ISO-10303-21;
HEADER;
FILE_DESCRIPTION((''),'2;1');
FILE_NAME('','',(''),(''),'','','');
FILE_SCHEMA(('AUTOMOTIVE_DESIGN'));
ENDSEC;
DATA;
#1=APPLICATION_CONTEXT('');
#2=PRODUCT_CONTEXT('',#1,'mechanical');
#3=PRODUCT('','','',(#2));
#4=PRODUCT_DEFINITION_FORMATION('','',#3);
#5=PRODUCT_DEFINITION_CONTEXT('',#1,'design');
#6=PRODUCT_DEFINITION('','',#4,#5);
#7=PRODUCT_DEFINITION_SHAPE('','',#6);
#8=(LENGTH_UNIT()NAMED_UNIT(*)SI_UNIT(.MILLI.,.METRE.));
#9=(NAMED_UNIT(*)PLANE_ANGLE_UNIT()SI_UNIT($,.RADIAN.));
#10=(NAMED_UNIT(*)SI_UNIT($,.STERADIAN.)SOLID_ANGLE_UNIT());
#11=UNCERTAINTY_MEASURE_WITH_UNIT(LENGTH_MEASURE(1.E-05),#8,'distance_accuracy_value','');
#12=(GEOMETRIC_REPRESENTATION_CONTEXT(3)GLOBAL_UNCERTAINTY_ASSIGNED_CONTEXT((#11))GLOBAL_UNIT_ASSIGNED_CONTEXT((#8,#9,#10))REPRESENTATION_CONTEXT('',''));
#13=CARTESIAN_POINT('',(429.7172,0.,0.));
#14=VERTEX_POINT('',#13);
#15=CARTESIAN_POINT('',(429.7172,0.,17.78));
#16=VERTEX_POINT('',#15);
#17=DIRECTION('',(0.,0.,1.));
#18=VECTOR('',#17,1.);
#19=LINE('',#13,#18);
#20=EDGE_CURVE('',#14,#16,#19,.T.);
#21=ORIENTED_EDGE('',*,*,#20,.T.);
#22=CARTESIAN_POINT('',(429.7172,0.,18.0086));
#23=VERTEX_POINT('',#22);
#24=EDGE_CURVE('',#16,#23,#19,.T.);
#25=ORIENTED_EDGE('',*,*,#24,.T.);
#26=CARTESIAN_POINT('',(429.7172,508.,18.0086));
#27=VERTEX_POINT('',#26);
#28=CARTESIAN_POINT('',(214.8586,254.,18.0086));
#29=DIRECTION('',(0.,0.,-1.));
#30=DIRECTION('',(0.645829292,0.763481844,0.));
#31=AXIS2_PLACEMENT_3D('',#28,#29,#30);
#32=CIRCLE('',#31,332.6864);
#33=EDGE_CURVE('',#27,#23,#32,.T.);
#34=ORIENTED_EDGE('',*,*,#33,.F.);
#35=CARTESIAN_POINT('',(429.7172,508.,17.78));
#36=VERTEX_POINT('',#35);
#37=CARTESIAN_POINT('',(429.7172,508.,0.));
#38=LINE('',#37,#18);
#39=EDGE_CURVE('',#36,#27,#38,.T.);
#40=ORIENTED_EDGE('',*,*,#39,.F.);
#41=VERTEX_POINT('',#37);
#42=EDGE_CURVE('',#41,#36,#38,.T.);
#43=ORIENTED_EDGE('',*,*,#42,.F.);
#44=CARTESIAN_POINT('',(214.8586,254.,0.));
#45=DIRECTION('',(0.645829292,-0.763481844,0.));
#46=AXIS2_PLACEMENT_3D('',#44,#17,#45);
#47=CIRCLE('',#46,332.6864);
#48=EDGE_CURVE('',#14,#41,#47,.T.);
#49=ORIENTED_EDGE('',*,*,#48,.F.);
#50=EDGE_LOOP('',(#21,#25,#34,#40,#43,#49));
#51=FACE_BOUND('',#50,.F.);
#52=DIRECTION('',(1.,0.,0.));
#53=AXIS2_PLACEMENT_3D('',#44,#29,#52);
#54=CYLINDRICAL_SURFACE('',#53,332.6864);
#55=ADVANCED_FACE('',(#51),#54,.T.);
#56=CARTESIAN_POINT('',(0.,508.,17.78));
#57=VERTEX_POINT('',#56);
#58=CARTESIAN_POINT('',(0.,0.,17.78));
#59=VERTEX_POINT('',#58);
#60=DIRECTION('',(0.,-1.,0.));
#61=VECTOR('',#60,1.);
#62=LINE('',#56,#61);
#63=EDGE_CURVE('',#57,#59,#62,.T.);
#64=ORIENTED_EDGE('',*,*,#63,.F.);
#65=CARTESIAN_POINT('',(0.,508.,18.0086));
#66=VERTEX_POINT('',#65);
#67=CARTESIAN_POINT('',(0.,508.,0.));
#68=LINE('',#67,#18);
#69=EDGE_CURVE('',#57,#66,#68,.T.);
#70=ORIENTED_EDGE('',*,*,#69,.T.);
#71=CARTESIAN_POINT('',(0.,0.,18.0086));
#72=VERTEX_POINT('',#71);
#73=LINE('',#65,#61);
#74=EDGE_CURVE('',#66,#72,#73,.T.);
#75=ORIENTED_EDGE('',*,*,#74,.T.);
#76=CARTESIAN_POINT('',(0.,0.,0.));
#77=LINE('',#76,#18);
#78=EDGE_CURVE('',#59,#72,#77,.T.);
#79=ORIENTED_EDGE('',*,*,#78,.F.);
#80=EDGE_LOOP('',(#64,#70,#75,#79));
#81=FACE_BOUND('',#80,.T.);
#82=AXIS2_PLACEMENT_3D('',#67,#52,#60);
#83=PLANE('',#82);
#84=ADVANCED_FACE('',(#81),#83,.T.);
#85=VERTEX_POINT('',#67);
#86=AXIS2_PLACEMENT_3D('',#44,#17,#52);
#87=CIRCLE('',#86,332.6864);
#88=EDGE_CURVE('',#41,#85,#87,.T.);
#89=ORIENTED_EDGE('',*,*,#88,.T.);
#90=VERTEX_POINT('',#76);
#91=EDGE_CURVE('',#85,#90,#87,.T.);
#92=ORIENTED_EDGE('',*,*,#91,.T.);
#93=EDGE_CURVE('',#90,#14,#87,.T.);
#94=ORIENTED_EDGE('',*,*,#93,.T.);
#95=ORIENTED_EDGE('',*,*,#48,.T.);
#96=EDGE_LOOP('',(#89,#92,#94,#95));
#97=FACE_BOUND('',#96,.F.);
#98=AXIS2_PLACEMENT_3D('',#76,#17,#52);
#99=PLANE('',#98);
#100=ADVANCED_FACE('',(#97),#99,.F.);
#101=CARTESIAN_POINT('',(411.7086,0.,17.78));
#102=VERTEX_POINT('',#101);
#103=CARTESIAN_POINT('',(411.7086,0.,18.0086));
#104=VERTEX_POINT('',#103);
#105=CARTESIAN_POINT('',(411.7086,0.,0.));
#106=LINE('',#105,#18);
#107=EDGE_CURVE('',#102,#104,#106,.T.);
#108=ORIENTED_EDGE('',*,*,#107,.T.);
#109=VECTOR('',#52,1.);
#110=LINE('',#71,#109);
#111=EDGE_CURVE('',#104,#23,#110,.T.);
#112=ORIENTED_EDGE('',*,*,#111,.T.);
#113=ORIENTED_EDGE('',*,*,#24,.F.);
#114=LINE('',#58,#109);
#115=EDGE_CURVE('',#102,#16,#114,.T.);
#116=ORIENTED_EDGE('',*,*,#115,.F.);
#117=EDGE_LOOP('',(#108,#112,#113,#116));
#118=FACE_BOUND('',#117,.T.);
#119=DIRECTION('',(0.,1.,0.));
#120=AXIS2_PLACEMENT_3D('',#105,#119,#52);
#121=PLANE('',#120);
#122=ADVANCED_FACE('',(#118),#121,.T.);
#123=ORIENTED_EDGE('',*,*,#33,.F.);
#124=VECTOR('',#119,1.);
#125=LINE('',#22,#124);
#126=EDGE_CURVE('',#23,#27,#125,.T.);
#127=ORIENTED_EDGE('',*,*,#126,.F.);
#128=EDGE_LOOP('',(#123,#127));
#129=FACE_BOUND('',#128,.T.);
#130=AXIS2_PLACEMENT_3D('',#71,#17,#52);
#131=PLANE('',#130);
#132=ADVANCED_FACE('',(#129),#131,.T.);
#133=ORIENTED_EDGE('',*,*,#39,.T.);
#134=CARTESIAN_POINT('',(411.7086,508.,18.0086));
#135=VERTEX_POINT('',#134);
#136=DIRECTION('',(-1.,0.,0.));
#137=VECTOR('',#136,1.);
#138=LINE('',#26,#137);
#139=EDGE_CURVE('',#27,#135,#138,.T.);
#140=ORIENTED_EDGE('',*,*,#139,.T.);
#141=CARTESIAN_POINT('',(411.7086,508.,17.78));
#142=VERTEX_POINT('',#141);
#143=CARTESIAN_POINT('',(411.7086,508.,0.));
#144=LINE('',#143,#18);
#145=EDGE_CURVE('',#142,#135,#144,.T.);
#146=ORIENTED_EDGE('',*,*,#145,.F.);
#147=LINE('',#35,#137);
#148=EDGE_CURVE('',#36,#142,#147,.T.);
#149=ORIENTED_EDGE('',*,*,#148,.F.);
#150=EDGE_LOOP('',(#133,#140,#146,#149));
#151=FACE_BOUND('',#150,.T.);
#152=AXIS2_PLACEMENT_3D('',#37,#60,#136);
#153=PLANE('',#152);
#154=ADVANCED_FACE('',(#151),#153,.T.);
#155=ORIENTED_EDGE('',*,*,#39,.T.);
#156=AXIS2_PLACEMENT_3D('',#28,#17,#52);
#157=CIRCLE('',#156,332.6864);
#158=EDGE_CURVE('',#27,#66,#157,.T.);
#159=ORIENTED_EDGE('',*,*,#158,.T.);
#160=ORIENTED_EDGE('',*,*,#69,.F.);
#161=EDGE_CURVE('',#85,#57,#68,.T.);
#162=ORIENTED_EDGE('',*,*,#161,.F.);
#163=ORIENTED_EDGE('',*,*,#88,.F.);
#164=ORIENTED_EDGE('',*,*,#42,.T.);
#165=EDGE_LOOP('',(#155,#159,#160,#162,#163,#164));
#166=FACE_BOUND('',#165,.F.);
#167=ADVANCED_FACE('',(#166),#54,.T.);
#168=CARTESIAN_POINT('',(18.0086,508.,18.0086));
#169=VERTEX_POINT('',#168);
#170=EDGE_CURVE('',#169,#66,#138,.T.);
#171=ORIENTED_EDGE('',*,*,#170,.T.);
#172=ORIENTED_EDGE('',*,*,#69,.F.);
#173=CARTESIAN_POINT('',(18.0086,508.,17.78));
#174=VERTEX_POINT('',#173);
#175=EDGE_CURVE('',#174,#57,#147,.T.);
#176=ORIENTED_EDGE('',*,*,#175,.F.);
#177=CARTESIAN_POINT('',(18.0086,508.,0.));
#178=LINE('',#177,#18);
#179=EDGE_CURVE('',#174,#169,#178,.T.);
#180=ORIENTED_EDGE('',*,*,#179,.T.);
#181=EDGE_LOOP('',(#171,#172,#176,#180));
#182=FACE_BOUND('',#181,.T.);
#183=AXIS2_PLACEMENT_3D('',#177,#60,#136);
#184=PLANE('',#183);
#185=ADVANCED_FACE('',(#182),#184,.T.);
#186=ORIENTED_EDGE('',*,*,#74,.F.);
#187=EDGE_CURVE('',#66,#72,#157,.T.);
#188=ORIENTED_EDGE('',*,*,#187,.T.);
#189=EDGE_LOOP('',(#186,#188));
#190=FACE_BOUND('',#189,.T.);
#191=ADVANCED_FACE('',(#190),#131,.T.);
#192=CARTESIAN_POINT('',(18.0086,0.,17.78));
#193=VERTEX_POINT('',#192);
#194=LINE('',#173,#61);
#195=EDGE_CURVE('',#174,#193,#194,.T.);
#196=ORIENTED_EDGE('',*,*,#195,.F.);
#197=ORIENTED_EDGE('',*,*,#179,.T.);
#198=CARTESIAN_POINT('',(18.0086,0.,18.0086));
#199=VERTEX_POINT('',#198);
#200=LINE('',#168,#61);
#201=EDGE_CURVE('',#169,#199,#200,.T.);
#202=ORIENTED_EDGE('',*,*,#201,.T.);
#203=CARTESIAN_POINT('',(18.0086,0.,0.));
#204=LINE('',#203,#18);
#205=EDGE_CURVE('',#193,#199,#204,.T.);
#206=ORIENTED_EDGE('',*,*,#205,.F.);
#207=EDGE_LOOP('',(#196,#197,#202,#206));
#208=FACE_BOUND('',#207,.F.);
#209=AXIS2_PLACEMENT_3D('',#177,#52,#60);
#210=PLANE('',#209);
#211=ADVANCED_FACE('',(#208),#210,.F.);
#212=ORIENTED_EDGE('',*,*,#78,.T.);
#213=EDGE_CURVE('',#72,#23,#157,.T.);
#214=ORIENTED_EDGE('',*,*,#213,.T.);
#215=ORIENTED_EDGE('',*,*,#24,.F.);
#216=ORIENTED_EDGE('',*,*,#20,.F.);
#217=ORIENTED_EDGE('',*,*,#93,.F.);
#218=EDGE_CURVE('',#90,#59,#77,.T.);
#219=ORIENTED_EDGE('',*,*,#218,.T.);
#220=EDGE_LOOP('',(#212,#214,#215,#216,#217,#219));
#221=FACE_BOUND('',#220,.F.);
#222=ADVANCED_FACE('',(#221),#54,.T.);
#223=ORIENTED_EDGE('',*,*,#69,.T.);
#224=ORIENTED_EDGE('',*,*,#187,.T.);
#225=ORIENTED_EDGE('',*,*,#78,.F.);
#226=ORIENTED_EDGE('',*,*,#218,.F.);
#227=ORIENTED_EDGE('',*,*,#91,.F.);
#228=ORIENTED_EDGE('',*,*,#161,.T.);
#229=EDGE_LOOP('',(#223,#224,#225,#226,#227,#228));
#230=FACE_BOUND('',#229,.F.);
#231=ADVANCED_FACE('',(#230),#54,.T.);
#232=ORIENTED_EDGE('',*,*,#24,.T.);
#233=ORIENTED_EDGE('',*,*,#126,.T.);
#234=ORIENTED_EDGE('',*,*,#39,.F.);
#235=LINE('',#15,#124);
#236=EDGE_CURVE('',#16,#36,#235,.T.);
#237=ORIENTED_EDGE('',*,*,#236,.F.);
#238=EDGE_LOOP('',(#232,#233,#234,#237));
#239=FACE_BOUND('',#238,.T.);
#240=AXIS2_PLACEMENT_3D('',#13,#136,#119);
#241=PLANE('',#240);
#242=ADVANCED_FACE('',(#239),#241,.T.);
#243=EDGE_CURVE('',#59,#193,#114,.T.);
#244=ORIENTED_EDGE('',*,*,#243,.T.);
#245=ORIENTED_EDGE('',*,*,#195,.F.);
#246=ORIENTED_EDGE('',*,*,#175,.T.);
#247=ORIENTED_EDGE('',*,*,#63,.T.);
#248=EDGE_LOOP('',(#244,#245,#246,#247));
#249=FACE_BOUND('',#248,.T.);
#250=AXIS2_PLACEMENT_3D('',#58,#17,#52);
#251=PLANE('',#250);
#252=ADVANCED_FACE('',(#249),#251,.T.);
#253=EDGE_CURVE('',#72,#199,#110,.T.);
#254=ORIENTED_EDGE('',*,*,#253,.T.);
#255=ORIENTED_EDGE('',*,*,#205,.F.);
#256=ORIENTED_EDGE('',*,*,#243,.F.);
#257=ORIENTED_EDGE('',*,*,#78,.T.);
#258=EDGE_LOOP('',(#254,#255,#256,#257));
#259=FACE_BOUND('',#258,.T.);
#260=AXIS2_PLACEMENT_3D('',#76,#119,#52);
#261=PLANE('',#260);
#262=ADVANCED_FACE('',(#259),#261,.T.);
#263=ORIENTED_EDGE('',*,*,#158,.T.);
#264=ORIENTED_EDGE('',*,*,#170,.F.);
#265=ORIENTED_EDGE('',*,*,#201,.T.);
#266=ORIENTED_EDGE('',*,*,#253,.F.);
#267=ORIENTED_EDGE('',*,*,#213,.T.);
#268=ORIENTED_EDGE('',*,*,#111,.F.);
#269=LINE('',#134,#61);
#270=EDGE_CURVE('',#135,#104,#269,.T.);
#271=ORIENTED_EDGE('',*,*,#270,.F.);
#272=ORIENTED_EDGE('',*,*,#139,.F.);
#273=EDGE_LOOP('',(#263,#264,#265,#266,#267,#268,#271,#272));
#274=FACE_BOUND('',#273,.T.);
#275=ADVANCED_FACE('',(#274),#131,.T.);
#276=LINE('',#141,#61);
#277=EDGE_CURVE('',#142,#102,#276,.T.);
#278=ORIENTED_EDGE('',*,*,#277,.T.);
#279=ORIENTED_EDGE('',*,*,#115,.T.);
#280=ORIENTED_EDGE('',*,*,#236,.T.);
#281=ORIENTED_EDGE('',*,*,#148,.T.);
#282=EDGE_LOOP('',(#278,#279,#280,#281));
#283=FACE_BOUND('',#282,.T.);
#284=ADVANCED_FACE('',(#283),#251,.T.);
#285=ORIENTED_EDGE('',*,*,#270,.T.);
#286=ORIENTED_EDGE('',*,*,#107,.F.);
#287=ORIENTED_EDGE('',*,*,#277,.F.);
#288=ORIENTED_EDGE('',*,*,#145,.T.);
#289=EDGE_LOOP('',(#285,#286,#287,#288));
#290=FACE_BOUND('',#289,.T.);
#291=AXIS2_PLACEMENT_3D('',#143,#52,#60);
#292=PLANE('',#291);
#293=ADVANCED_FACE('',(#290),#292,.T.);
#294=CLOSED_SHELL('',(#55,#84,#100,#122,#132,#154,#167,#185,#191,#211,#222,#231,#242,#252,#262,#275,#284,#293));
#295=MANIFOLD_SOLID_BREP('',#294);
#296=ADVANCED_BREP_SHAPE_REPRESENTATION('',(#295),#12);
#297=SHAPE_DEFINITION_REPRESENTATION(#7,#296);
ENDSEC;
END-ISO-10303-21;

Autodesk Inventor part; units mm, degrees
ref_plane "YZ Plane" through (0, 0, 0) normal (1, 0, 0) x (0, 1, 0)
ref_plane "XZ Plane" through (0, 0, 0) normal (0, 1, 0) x (-1, 0, 0)
ref_plane "XY Plane" through (0, 0, 0) normal (0, 0, 1) x (1, 0, 0)
sketch "Sketch1" plane through (0, 0, 0) normal (0, 0, 1) x (1, 0, 0)
  line L0 (0, 0) -> (429.7172, 0)
  line L1 (429.7172, 0) -> (429.7172, 508)
  line L2 (429.7172, 508) -> (0, 508)
  line L3 (0, 508) -> (0, 0)
  line L4 (18.0086, 508) -> (18.0086, 0)
  line L5 (411.7086, 508) -> (411.7086, 0)
  circle A0 centre (214.8586, 254) radius 332.6864
  point P0 (0, 254)
  dimension "d1" = 508
  dimension "d3" = 18.0086
  dimension "d4" = 18.0086
  dimension "d6" = 393.7
  dimension "d10" = 665.3727
  dimension "d13" = 214.8586
  dimension "d14" = 254
extrude "Extrusion2" add sketch "Sketch1" along normal blind 18.0086 contours A0 L3 | L0 A0 | L4 L2 L5 L0 | A0 L2 | L1 A0
extrude "Extrusion3" add sketch "Sketch1" along normal blind 17.78 contours L3 L2 L4 L0 | L0 L5 L2 L1
properties part number "base turntable"
